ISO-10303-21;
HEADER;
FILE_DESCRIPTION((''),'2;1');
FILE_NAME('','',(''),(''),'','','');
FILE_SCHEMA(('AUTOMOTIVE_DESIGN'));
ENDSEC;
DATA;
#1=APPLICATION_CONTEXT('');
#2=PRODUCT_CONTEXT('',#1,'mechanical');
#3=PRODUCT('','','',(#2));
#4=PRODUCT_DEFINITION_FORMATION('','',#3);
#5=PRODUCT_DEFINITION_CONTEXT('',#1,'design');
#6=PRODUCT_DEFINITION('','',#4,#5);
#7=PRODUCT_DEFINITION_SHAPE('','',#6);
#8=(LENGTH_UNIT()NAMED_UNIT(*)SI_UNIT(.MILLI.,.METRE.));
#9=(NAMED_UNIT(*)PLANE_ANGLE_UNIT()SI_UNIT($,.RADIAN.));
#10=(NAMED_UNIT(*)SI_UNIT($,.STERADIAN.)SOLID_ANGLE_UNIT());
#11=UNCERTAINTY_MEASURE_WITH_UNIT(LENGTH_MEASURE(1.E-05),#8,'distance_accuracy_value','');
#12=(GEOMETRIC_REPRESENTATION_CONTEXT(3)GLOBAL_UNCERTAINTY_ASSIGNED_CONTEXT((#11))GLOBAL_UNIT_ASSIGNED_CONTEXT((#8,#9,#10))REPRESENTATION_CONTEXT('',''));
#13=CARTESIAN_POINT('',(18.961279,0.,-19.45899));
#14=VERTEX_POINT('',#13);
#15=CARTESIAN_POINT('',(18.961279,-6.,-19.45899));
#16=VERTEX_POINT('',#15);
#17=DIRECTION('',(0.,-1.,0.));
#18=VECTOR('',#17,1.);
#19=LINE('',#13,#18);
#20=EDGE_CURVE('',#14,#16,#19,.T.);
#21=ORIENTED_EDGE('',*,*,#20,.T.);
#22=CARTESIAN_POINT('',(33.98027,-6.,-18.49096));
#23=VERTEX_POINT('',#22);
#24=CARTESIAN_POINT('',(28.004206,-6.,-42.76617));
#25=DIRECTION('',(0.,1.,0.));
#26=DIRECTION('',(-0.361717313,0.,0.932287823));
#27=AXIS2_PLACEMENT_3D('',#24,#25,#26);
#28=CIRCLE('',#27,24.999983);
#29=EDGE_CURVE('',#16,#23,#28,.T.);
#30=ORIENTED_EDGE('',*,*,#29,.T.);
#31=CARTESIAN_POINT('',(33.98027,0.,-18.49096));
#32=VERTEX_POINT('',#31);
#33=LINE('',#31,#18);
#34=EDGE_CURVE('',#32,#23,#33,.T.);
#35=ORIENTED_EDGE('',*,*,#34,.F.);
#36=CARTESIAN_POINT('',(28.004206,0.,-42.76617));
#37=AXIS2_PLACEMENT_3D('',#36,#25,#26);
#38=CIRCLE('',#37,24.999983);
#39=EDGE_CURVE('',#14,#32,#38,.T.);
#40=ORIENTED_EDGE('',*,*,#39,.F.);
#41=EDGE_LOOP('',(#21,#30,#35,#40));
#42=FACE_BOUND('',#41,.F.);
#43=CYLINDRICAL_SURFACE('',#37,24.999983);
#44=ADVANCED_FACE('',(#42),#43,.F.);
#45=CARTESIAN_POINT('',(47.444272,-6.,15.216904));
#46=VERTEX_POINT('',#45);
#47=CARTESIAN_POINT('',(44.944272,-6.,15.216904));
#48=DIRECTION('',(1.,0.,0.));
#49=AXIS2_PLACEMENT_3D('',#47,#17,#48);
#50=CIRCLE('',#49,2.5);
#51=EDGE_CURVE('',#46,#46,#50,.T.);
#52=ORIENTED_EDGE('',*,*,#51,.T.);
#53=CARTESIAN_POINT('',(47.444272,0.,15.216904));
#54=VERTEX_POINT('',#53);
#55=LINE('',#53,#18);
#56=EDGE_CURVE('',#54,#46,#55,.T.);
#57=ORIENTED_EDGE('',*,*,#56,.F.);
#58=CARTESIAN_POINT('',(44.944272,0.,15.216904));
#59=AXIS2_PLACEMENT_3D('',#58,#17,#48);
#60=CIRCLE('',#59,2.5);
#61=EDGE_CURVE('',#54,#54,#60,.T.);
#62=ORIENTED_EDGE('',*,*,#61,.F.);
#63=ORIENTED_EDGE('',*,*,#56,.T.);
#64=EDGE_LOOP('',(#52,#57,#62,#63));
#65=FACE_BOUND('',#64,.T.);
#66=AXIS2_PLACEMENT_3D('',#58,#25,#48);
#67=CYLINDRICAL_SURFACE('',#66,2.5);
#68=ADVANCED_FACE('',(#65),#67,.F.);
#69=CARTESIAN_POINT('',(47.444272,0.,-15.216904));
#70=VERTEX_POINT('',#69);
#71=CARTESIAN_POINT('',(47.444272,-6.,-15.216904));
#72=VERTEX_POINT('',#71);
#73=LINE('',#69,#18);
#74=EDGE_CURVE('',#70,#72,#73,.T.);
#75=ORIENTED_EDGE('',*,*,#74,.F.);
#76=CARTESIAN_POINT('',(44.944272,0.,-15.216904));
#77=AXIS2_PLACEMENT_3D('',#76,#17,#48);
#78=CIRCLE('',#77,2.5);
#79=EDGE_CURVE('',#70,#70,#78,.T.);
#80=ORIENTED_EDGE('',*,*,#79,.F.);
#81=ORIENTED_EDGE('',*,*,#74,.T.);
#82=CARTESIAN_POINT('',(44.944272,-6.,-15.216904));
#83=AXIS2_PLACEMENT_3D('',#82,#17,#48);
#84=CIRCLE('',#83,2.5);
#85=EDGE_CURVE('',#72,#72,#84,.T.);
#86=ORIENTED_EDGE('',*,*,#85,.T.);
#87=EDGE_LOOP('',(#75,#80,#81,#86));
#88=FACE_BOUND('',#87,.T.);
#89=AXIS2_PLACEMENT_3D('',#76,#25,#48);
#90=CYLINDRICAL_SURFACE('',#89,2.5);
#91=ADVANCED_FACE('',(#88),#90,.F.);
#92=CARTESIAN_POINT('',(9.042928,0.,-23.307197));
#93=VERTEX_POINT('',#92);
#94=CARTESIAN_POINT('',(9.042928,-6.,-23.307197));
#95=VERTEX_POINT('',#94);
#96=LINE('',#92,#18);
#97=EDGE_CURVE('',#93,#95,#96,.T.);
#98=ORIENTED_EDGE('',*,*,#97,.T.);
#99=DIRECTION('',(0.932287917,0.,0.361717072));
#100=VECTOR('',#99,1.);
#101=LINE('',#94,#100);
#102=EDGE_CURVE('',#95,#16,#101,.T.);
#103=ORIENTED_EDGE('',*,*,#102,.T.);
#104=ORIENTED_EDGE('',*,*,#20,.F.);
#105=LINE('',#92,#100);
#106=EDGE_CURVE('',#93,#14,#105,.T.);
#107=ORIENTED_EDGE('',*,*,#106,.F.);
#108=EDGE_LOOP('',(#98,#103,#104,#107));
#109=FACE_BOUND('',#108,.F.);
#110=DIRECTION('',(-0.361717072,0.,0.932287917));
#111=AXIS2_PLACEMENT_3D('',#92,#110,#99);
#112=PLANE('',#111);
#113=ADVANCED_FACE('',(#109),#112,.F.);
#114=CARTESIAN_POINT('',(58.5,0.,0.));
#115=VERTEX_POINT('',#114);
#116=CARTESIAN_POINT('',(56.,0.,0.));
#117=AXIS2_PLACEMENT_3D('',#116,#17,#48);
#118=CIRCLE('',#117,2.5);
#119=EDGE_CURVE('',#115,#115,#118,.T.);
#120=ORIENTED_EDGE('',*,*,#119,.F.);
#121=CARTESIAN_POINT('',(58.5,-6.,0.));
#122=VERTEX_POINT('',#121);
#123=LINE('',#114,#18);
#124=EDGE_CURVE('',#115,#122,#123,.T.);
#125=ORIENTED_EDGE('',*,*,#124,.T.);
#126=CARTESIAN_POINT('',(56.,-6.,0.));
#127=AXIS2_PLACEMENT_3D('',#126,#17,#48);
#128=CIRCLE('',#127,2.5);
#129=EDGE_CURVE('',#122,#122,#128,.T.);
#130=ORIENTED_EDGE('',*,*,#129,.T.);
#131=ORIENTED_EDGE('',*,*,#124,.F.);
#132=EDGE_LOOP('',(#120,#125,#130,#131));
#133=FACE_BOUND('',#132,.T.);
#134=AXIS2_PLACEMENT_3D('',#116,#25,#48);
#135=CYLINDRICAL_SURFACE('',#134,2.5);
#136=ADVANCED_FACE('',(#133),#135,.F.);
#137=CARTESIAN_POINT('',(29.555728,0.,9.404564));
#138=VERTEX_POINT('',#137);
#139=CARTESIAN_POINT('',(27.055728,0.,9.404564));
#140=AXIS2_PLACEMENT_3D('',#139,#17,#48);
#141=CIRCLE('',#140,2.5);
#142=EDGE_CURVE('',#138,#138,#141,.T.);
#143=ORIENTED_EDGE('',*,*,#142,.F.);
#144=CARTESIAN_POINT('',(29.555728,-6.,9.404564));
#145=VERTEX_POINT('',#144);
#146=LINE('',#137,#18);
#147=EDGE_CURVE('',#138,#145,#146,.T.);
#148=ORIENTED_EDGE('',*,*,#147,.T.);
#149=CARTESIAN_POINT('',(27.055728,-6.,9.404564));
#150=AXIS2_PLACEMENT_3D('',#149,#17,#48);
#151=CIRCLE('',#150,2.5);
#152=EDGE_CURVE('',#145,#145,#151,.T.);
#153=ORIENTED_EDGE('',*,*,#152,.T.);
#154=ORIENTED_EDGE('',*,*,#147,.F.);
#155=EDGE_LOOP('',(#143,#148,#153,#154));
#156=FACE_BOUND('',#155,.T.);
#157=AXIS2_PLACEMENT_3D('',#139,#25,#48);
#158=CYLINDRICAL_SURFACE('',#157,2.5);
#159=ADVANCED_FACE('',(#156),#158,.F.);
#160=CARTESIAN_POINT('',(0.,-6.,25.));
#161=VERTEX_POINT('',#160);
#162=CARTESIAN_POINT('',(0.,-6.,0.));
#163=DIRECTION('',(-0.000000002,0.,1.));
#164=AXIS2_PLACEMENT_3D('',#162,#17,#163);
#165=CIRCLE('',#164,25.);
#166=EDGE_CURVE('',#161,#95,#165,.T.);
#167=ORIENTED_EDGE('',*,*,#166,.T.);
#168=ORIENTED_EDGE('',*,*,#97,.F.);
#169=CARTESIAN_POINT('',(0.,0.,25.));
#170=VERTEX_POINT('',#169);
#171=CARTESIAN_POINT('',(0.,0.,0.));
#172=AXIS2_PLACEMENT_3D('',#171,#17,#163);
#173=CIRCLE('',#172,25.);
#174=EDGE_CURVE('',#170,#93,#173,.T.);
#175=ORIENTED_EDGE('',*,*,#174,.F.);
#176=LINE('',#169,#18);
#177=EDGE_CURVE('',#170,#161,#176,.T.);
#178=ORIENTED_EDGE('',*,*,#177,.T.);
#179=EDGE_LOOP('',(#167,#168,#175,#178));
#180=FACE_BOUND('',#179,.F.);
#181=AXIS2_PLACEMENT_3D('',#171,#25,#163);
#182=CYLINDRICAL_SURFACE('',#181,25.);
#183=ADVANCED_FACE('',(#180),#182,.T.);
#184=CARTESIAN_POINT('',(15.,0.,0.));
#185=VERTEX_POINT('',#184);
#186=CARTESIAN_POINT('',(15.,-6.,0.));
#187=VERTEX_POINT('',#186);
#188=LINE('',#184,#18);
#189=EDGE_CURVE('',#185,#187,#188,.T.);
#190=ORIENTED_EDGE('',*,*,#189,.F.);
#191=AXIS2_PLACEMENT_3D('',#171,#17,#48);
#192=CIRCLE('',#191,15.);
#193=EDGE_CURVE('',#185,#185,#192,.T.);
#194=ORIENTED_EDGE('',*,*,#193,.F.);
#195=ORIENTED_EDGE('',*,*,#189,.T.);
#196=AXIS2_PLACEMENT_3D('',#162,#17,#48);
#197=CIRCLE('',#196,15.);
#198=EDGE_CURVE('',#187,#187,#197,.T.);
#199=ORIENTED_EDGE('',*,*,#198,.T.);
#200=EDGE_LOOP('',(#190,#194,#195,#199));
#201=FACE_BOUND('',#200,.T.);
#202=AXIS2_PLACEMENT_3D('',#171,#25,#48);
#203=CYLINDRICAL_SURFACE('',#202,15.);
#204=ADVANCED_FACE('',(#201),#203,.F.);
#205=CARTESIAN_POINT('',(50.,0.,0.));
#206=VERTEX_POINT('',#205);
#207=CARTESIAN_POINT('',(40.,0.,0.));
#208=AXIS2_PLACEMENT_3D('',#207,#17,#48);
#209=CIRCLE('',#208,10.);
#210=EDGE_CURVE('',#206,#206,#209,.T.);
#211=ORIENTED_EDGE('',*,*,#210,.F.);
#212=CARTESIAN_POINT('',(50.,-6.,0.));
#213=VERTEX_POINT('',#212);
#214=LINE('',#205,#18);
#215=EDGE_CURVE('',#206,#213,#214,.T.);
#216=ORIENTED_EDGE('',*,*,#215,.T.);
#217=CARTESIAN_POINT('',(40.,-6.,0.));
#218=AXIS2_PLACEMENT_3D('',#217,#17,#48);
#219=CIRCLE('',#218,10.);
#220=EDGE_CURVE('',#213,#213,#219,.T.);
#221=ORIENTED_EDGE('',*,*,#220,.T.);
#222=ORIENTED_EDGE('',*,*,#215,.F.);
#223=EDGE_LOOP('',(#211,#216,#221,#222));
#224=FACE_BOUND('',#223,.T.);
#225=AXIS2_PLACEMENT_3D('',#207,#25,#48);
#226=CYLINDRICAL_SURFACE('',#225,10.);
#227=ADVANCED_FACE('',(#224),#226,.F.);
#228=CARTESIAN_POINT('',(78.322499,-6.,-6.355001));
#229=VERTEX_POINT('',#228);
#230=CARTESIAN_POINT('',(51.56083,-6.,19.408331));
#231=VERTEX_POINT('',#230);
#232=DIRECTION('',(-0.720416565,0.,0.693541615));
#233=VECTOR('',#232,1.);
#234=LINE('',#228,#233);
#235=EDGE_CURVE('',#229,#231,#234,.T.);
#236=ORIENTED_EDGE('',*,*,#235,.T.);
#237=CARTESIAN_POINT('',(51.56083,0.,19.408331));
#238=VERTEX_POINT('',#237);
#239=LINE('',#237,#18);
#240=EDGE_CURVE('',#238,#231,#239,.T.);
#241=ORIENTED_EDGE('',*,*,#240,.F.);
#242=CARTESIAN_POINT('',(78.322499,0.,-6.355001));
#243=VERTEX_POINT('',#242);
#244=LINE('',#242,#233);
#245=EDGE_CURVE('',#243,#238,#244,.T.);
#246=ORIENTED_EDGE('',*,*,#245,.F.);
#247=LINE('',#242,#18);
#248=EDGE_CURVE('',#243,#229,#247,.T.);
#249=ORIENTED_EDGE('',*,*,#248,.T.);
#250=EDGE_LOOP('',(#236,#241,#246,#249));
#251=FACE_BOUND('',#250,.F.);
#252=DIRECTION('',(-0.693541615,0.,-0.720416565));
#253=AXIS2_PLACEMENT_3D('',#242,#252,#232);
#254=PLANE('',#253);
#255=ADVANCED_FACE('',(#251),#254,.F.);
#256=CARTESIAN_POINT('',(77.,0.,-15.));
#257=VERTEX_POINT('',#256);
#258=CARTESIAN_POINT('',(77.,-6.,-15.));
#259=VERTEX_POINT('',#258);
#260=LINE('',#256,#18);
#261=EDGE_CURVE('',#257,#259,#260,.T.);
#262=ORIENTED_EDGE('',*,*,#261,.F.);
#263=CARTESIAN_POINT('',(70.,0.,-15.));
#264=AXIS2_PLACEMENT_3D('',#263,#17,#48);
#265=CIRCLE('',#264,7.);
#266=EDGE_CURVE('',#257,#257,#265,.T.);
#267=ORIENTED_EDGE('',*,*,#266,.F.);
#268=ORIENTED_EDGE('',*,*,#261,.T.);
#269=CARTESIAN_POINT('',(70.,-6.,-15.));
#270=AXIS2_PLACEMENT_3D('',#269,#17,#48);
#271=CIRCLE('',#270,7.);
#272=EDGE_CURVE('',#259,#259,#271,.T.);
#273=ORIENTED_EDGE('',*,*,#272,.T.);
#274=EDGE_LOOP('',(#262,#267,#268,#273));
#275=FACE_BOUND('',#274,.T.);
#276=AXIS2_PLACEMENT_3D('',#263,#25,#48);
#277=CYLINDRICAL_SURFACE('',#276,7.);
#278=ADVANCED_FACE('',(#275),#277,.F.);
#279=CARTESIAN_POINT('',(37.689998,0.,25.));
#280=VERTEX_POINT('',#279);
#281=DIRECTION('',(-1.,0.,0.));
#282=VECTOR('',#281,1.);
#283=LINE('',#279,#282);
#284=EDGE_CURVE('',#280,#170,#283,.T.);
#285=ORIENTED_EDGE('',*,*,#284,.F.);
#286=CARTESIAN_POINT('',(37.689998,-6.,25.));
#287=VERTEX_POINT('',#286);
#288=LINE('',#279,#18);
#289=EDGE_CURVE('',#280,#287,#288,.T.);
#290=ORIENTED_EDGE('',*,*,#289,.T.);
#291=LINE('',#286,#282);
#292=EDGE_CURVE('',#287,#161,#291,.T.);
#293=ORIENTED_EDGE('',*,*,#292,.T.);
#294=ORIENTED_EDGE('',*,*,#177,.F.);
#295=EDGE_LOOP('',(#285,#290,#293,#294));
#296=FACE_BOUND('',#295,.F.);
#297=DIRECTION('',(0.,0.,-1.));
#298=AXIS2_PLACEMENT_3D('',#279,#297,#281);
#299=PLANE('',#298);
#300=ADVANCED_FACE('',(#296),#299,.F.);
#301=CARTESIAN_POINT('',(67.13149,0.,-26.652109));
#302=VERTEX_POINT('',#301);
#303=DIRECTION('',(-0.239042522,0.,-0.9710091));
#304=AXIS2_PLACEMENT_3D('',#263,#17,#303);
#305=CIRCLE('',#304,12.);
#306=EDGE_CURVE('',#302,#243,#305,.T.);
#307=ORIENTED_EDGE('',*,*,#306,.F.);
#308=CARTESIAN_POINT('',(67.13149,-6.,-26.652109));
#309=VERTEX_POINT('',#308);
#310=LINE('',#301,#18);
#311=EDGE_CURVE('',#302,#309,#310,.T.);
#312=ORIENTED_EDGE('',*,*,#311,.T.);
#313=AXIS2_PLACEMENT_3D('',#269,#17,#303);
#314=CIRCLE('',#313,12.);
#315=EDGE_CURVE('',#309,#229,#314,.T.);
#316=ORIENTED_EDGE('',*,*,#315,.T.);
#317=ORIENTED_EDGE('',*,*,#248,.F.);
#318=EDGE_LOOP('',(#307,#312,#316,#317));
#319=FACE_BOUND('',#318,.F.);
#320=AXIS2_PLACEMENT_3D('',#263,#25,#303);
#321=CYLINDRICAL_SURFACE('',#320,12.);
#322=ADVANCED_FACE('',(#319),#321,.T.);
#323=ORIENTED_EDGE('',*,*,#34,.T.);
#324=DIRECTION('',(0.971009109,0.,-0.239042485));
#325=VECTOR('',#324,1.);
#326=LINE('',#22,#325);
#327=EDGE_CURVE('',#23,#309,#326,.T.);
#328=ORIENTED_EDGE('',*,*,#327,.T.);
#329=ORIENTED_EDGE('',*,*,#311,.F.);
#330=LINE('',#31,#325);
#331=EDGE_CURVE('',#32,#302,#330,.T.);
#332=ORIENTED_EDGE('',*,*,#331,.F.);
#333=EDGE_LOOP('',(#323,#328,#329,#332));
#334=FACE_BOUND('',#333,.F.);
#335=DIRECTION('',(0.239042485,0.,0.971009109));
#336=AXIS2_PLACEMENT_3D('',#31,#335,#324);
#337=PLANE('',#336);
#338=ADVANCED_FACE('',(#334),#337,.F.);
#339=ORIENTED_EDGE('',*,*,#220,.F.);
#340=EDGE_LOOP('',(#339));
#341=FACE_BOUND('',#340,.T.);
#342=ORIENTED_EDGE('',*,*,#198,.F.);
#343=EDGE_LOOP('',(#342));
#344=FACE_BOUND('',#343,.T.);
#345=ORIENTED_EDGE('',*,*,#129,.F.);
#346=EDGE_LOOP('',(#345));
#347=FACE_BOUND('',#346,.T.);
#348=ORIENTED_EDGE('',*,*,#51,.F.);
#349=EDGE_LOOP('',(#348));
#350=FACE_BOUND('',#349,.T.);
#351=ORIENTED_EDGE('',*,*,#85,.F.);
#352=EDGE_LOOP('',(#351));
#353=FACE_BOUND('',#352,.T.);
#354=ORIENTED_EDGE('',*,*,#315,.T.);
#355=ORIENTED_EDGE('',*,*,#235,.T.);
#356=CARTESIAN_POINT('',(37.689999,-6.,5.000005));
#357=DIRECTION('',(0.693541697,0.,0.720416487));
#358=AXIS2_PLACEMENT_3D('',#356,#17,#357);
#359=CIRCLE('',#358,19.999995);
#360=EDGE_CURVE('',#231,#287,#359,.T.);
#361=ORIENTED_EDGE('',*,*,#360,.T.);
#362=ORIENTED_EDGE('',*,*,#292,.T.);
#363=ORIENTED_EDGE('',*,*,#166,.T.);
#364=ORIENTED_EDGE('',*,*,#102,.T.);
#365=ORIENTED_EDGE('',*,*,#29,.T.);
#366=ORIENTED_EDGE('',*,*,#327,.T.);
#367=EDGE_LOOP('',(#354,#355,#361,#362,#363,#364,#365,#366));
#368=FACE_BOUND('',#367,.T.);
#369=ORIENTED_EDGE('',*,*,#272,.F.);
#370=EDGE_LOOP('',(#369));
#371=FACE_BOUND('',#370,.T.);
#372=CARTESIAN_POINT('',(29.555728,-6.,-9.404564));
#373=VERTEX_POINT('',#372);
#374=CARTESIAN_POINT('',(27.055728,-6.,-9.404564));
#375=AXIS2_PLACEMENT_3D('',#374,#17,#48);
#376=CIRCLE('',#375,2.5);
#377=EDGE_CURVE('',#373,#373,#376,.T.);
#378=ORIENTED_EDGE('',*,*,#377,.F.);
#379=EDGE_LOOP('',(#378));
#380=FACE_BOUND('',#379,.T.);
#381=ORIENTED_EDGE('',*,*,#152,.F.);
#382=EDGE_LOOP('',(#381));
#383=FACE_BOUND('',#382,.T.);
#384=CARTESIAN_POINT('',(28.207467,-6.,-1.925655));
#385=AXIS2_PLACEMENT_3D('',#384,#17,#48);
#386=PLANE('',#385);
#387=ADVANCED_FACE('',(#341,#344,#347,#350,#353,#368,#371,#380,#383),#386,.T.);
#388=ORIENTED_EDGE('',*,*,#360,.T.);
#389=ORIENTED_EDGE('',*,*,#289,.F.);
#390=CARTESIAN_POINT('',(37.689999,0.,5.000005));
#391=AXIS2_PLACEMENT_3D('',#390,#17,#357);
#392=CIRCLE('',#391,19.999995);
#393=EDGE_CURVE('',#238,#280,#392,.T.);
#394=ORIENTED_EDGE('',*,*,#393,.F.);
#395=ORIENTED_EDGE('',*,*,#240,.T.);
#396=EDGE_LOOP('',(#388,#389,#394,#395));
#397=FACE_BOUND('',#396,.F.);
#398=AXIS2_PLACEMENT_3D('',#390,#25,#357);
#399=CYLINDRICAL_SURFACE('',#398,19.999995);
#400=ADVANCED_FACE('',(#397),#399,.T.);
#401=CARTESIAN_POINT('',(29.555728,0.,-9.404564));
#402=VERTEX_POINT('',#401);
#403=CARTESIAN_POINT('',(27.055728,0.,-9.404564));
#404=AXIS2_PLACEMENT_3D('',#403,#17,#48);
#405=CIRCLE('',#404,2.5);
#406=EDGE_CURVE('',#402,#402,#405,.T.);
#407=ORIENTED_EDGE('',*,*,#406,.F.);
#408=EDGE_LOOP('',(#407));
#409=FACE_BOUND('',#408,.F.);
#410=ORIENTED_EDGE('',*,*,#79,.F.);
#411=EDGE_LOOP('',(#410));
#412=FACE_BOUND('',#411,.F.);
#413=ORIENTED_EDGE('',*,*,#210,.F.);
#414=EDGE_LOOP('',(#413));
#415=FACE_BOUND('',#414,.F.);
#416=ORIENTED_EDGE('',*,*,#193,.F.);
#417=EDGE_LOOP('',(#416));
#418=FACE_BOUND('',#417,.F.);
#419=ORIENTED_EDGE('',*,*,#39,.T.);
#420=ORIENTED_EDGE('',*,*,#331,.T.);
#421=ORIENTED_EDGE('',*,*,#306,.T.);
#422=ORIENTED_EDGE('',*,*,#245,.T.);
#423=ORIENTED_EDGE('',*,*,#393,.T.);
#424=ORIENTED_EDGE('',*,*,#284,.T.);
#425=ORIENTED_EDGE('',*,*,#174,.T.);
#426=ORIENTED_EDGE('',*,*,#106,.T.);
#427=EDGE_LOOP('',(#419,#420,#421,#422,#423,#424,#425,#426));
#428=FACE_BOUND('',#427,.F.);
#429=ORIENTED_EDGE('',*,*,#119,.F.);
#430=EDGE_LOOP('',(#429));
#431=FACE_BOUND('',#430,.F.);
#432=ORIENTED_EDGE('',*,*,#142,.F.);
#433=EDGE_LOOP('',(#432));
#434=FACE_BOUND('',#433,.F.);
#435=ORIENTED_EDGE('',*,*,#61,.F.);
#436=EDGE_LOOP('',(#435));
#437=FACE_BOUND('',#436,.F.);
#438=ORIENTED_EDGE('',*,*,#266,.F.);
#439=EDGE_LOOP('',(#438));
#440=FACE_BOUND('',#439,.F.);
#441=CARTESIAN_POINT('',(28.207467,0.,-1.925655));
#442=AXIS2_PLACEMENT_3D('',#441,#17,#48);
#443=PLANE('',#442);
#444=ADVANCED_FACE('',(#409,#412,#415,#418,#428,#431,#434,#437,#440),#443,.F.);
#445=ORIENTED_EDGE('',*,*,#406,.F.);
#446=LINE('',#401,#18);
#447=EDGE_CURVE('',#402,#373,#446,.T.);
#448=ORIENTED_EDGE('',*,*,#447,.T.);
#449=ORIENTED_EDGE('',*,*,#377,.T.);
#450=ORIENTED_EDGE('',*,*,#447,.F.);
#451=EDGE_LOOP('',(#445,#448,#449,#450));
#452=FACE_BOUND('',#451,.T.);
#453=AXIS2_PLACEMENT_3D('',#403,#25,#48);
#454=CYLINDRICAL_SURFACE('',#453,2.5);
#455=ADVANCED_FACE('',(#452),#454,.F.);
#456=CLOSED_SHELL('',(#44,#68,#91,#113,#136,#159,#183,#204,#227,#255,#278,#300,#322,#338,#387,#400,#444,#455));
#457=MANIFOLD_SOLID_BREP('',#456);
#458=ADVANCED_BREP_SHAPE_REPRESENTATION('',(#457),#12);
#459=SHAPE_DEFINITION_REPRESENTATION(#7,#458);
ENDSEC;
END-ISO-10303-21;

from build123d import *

# Parameters (mm, degrees)
F0_R     = 2.5
F0_R_2   = 7
F0_R_3   = 15
F0_R_4   = 10
F1_DEPTH = 6


with BuildPart() as f1:
    # F0 (on Front) → F1 (new body)
    with BuildSketch(Plane.XZ):
        with BuildLine():
            Line((37.689998, 25), (0, 25))
            ThreePointArc((0, 25), (-24.573155, -4.600004), (9.042928, -23.307197))
            Line((9.042928, -23.307197), (18.961279, -19.45899))
            ThreePointArc((18.961279, -19.45899), (26.3962, -17.817954), (33.98027, -18.49096))
            Line((33.98027, -18.49096), (67.13149, -26.652109))
            ThreePointArc((67.13149, -26.652109), (80.508551, -20.793993), (78.322499, -6.355001))
            Line((78.322499, -6.355001), (51.56083, 19.408331))
            ThreePointArc((51.56083, 19.408331), (45.167744, 23.549483), (37.689998, 25))
        make_face()
        with Locations((27.055728, -9.404564)):
            Circle(F0_R, mode=Mode.SUBTRACT)
        with Locations((44.944272, -15.216904)):
            Circle(F0_R, mode=Mode.SUBTRACT)
        with Locations((70, -15)):
            Circle(F0_R_2, mode=Mode.SUBTRACT)
        Circle(F0_R_3, mode=Mode.SUBTRACT)
        with Locations((27.055728, 9.404564)):
            Circle(F0_R, mode=Mode.SUBTRACT)
        with Locations((40, 0)):
            Circle(F0_R_4, mode=Mode.SUBTRACT)
        with Locations((56, 0)):
            Circle(F0_R, mode=Mode.SUBTRACT)
        with Locations((44.944272, 15.216904)):
            Circle(F0_R, mode=Mode.SUBTRACT)
    extrude(amount=F1_DEPTH)


solid = f1.part
